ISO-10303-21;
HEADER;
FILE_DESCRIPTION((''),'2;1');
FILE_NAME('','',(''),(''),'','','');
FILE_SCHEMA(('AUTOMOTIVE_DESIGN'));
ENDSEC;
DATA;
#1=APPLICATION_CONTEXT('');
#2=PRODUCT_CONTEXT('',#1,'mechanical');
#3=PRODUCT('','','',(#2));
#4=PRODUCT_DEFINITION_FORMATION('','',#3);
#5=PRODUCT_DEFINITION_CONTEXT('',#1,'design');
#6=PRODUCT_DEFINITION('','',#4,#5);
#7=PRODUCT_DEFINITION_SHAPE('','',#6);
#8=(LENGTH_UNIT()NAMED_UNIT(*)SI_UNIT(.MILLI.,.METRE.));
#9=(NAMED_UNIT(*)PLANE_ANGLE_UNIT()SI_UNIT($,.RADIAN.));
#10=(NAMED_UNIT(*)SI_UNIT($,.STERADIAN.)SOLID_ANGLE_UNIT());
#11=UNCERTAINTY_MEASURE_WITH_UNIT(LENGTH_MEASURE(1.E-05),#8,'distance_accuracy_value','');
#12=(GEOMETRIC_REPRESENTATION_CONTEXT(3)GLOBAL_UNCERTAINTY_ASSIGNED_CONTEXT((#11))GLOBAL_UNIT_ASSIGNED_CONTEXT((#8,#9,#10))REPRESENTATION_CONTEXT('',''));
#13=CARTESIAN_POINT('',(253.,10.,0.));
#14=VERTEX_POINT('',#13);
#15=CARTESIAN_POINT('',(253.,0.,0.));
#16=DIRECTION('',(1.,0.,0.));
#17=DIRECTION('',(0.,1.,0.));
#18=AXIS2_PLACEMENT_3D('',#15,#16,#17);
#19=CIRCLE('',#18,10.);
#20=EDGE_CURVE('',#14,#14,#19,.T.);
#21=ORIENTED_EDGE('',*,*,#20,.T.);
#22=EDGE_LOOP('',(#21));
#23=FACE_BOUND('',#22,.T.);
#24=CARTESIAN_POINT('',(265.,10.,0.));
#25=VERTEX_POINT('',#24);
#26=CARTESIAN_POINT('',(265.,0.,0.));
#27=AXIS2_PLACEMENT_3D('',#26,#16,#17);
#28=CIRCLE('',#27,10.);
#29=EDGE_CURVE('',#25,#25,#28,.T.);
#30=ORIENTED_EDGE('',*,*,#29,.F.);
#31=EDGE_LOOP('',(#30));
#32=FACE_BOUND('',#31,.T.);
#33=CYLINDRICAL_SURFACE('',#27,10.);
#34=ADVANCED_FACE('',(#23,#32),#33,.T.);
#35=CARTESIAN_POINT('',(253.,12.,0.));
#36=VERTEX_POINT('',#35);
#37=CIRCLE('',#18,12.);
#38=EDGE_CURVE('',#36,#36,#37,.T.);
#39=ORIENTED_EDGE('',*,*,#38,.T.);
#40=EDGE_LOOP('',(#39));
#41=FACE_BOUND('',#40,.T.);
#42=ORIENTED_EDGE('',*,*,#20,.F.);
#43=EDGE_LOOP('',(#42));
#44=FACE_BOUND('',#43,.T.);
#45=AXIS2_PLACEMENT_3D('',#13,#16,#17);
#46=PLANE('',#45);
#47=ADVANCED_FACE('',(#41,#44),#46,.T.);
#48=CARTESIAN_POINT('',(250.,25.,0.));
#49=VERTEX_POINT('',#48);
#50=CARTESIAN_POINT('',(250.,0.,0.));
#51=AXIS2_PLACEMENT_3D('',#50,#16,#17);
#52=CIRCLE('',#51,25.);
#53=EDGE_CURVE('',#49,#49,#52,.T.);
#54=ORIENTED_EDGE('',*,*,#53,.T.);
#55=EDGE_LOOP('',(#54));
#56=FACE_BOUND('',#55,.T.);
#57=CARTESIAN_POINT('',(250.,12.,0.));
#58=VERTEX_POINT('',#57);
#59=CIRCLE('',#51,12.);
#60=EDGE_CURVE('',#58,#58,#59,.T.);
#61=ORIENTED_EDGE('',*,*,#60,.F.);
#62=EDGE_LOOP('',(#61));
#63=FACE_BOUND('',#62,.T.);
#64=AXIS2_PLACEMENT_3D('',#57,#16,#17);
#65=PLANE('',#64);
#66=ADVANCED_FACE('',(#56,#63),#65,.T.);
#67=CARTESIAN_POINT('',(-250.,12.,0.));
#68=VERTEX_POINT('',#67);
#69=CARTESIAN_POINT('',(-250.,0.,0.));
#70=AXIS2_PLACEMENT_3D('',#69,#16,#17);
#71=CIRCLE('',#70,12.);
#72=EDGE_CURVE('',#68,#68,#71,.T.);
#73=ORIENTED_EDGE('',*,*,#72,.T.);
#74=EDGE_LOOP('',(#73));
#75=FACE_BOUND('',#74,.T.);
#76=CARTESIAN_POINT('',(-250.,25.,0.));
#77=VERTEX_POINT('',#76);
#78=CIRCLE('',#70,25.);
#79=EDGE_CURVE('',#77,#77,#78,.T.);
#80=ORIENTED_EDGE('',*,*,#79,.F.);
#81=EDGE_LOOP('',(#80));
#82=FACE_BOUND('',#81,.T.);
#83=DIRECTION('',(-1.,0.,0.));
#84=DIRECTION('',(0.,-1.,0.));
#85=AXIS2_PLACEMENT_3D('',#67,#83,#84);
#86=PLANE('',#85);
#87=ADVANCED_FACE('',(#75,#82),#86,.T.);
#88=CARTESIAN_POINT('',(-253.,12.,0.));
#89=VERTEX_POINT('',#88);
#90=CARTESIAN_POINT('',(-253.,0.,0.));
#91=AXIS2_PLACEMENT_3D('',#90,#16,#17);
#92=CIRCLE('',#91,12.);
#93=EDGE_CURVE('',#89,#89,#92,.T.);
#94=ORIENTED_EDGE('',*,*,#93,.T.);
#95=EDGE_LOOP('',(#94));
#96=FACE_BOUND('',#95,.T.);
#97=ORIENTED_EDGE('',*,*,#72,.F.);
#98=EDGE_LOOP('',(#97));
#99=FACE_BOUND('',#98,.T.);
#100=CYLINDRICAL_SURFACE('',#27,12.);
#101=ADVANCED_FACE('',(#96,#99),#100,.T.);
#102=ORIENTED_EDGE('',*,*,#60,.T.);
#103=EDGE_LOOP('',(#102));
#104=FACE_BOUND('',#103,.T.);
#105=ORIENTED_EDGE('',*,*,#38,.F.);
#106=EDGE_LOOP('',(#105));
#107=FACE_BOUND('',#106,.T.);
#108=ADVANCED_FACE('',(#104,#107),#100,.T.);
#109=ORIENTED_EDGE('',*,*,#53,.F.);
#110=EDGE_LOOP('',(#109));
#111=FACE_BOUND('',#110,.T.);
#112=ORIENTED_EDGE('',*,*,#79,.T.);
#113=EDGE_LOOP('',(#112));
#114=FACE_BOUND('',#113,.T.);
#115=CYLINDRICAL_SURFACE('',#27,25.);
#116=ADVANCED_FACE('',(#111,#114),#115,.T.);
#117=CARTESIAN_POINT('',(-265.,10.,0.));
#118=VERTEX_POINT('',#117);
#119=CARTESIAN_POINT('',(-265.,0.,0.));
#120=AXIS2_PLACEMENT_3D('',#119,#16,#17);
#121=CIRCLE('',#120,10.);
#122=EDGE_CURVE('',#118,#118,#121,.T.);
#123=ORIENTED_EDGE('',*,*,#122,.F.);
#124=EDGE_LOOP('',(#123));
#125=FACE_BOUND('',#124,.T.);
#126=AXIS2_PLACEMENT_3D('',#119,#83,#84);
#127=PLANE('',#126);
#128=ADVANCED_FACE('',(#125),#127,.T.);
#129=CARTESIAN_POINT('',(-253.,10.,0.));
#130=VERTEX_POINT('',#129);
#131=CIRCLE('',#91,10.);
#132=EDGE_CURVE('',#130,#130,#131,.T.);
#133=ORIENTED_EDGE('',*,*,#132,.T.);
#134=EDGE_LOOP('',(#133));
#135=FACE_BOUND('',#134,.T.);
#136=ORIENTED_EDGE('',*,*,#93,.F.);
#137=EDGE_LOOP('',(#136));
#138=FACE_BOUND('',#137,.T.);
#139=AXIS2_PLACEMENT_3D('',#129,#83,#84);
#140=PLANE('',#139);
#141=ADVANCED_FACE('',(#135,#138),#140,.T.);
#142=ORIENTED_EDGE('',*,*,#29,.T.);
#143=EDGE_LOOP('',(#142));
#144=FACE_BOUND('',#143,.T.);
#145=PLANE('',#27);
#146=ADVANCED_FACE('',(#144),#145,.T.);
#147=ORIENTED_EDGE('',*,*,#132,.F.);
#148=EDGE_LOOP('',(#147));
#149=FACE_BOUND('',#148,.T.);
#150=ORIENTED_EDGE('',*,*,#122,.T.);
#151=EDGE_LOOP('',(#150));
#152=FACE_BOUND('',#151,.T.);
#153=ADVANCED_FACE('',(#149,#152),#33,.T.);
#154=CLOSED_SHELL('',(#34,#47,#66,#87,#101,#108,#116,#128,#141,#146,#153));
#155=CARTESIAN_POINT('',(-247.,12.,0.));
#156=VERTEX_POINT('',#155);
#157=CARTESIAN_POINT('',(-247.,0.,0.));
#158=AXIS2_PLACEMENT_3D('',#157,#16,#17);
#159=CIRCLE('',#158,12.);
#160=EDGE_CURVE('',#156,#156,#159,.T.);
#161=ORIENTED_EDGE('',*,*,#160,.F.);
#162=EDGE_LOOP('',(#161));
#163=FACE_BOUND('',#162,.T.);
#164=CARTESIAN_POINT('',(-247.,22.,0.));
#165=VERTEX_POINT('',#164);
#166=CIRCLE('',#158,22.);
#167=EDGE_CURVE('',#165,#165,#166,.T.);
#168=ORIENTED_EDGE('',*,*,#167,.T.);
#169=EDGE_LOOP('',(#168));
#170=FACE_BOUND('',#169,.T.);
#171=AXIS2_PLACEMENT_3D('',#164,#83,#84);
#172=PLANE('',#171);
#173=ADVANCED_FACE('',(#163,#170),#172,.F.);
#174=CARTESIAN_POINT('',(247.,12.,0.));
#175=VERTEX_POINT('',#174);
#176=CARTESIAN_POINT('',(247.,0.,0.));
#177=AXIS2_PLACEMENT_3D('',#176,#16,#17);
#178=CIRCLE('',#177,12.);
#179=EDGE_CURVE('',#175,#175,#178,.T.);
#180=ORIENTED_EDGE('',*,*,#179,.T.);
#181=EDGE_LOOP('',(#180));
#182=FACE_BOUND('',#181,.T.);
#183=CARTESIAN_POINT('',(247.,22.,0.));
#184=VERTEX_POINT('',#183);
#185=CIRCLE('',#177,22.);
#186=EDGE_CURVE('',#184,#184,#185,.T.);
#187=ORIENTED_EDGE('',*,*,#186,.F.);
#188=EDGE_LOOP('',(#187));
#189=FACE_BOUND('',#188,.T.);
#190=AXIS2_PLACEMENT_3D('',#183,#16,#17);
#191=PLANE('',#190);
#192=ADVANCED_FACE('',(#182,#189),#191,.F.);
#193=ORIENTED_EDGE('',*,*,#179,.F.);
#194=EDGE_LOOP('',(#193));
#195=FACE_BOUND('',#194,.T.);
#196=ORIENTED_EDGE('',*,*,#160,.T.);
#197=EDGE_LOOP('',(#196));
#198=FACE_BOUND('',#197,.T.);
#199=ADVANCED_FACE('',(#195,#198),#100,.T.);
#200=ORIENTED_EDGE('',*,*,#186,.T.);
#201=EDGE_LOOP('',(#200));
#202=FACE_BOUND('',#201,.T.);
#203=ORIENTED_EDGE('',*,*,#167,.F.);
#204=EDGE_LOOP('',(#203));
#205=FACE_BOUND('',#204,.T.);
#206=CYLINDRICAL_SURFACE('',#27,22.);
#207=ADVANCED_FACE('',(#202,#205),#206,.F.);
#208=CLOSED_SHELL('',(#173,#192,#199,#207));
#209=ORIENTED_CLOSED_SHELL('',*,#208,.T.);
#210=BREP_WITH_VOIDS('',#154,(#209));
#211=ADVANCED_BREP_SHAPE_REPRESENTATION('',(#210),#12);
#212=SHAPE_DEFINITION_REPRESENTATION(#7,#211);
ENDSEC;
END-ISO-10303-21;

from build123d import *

# Parameters (mm, degrees)
SKETCH_1_W = 494
SKETCH_1_H = 10


with BuildPart() as part:
    # 草图1 → 旋转1 (revolve)
    with BuildSketch(Plane.XY):
        Polygon((-265, 0), (-265, 10), (-253, 10), (-253, 12), (-250, 12), (-250, 25), (250, 25), (250, 12), (253, 12), (253, 10), (265, 10), (265, 0), align=None)
        with Locations((0, 17)):
            Rectangle(SKETCH_1_W, SKETCH_1_H, mode=Mode.SUBTRACT)
    revolve(axis=Axis((265, 0, 0), (-1, 0, 0)))


solid = part.part
